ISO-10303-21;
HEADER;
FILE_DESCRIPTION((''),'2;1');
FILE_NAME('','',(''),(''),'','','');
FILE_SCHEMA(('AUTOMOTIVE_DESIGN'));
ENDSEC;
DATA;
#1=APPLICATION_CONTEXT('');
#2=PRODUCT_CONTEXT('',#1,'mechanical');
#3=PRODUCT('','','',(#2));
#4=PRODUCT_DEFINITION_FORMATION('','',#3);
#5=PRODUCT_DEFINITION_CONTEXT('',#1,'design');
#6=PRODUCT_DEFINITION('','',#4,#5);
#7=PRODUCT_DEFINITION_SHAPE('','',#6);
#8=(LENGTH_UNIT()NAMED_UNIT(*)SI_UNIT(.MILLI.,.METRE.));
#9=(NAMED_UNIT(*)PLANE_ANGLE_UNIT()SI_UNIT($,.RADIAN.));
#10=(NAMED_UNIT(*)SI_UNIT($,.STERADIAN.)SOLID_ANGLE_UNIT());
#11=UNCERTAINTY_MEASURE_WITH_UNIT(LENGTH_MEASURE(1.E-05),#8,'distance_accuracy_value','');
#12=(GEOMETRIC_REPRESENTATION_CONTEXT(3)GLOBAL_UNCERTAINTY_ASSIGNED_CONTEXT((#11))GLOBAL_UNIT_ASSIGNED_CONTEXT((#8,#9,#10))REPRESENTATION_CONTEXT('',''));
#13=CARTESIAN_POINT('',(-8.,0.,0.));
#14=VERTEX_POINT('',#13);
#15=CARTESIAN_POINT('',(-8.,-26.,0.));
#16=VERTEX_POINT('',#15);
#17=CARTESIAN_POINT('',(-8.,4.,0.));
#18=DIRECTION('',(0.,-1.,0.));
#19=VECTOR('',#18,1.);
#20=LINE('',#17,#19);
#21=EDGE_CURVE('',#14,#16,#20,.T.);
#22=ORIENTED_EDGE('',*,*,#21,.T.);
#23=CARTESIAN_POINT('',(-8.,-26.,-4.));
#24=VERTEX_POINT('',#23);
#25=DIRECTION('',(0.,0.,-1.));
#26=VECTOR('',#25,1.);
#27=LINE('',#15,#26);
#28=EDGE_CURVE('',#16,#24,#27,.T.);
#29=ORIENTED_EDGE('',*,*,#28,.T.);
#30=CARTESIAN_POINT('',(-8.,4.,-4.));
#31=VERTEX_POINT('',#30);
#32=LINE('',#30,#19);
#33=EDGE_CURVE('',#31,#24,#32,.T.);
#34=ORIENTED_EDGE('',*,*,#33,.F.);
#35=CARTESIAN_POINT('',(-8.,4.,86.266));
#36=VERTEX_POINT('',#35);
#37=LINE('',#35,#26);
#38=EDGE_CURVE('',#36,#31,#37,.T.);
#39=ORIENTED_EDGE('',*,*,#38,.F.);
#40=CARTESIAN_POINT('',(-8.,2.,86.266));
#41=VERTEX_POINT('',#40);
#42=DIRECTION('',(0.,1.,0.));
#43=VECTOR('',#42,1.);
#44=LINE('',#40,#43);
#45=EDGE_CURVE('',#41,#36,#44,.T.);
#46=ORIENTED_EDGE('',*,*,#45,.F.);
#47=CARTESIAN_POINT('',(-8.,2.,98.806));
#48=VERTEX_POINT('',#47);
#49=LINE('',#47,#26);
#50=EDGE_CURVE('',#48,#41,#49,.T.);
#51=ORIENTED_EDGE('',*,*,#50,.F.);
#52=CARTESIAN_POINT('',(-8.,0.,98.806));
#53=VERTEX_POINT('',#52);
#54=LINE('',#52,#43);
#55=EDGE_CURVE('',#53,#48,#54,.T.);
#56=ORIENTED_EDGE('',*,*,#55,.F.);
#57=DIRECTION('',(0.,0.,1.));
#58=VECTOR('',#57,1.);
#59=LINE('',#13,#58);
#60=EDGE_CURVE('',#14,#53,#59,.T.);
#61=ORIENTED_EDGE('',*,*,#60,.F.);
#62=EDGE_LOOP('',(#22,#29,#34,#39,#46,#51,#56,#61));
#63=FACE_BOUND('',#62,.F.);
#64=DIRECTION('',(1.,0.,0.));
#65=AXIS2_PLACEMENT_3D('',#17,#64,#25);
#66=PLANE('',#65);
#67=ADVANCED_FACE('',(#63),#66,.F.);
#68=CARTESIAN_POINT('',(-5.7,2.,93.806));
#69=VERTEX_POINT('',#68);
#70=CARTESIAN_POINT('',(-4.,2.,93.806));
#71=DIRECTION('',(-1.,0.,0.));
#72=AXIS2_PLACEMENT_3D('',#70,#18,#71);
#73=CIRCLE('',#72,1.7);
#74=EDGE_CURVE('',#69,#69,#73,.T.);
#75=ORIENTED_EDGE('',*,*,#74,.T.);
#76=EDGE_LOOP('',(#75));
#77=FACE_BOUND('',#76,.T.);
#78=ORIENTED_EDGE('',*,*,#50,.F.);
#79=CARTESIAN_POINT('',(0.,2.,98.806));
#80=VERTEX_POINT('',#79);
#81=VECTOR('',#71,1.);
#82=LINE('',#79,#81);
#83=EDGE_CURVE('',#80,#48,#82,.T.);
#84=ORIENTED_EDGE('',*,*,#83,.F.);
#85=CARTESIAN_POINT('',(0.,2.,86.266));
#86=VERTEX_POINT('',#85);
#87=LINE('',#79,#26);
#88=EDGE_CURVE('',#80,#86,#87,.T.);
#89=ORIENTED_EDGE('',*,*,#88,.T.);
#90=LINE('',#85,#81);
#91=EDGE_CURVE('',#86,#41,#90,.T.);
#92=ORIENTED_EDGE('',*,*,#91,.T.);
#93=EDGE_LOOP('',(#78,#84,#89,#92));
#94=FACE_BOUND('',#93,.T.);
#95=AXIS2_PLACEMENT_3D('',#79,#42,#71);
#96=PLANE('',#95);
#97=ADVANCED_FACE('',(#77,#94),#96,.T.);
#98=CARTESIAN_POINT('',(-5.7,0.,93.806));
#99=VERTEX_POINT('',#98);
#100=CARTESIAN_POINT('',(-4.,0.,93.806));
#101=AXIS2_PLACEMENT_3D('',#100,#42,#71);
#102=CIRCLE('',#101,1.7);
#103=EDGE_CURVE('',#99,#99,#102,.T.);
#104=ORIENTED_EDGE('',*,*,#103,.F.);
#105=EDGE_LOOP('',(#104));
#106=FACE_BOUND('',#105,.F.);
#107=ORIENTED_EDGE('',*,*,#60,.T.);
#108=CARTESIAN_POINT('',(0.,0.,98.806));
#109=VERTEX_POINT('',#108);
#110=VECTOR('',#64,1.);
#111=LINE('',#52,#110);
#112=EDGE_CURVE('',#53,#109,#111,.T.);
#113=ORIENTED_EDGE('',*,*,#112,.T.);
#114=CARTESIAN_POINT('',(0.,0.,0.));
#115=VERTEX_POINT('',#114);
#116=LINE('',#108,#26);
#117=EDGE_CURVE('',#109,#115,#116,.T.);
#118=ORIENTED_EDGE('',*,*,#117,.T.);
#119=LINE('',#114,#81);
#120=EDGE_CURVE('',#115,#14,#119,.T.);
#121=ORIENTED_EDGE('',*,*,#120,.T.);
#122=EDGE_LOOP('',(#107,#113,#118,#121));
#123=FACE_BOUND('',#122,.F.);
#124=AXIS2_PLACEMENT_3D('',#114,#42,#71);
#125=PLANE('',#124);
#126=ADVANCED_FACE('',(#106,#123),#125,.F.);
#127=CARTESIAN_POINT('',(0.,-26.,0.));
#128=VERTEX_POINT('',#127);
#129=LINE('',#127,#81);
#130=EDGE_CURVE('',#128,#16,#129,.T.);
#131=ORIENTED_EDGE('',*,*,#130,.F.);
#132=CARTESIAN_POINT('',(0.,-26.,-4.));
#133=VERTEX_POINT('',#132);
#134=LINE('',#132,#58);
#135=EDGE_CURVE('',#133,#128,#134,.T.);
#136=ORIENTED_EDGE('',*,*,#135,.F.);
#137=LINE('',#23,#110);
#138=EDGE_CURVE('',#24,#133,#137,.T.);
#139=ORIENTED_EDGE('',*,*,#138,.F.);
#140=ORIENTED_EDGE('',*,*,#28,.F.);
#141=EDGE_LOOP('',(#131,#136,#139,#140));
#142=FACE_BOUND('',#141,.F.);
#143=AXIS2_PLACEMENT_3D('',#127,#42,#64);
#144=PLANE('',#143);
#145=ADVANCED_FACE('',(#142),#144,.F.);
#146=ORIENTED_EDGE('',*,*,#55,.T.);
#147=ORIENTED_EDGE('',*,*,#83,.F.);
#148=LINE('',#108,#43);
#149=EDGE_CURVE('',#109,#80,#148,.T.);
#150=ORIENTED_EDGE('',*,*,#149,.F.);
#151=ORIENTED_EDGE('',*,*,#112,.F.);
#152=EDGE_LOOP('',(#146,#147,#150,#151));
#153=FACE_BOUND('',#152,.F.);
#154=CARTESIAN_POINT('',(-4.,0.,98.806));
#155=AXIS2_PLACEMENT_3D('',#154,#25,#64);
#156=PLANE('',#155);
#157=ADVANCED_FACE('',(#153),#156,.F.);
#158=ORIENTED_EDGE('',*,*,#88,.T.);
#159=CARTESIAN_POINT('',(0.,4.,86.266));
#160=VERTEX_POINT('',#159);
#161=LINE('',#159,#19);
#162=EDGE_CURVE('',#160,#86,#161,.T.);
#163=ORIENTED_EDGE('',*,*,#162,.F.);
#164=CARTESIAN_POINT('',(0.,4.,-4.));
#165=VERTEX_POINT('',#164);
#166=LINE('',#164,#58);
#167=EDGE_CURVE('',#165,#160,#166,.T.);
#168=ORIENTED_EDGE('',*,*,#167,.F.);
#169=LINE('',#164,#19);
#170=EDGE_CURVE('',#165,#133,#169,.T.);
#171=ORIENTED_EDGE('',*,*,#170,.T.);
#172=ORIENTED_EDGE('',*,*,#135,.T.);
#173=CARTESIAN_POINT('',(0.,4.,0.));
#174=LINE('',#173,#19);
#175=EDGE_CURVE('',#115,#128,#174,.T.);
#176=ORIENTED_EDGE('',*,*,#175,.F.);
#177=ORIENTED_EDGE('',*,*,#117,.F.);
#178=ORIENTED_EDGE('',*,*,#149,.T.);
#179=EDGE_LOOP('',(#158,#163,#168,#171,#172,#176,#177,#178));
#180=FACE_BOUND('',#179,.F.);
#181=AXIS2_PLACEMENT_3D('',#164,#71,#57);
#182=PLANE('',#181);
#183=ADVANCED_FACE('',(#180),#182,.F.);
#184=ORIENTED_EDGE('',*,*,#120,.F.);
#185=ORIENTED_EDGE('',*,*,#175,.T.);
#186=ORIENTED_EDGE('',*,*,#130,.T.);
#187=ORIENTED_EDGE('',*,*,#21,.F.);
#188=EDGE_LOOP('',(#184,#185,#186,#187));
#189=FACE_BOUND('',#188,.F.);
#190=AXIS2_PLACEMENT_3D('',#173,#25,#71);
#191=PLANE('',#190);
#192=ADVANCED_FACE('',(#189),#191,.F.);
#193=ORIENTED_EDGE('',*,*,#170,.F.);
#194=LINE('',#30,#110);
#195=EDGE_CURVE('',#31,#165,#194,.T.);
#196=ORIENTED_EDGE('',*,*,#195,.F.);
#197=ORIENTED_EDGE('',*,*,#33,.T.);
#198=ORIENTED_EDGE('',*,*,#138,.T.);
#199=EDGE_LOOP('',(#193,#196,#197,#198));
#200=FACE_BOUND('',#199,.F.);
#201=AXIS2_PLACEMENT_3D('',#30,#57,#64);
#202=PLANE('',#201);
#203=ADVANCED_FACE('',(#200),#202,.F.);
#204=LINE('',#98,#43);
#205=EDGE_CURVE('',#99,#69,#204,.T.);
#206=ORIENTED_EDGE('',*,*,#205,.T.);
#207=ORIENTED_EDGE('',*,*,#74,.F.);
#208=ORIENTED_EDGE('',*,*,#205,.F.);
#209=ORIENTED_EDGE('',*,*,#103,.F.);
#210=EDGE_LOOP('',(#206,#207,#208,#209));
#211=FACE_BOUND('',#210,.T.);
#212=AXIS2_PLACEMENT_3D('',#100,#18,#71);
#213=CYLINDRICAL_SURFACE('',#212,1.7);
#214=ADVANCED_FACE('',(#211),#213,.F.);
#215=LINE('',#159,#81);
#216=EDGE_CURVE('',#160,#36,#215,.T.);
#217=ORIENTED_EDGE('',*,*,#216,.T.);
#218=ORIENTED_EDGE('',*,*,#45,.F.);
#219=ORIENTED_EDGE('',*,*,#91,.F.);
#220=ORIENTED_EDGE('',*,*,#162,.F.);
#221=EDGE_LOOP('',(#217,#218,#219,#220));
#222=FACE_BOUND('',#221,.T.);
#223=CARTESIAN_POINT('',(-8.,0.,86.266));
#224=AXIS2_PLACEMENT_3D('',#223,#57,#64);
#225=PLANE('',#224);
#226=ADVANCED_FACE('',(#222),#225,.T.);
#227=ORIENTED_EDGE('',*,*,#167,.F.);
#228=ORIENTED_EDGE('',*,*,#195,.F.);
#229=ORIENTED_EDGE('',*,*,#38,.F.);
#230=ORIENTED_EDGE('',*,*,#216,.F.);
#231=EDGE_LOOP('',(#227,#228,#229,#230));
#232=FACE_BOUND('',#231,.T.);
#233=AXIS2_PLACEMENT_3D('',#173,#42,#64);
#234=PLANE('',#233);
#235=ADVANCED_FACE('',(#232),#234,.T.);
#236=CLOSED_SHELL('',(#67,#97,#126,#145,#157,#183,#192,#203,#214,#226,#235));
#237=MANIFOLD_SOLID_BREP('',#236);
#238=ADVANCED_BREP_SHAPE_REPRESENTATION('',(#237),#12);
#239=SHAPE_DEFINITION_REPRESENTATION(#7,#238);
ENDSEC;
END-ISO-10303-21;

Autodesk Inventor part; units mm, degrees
ref_plane "YZ Plane" through (0, 0, 0) normal (1, 0, 0) x (0, 1, 0)
ref_plane "XZ Plane" through (0, 0, 0) normal (0, 1, 0) x (-1, 0, 0)
ref_plane "XY Plane" through (0, 0, 0) normal (0, 0, 1) x (1, 0, 0)
sketch "Sketch1" plane through (0, 0, 0) normal (0, 1, 0) x (-1, 0, 0)
  line L0 (0, 0) -> (8, 0)
  line L1 (8, 0) -> (8, 98.806)
  line L2 (8, 98.806) -> (0, 98.806)
  line L3 (0, 98.806) -> (0, 0)
  line L4 (4, 0) -> (4, 98.806)
  line L5 (4, 98.806) -> (4, 93.806)
  circle A0 centre (4, 93.806) radius 1.7
  dimension "d0" = 8
  dimension "d1" = 98.806
  dimension "d2" = 90
  dimension "d3" = 8
  dimension "d4" = 98.806
  dimension "d5" = 5
  dimension "d6" = 3.4
extrude "Extrusion1" add sketch "Sketch1" along normal blind 4 contours L3 L2 L4 A0 L0 | L4 A0 L2 L1 L0
sketch "Sketch2" plane through (-8, 0, 98.806) normal (0, 0, 1) x (1, 0, 0)
  line L0 (8, 4) -> (0, 4) projected
  line L1 (0, 4) -> (8, 4)
  line L2 (8, 4) -> (8, 2)
  line L3 (8, 2) -> (0, 2)
  line L4 (0, 2) -> (0, 4)
  point P0 (8, 0)
  dimension "d9" = 8
  dimension "d10" = 2
extrude "Extrusion2" cut sketch "Sketch2" against normal blind 12.54
sketch "Sketch3" plane through (0, 4, 0) normal (0, 1, 0) x (1, 0, 0)
  line L0 (0, 0) -> (-8, 0) projected
  line L1 (0, 0) -> (-8, 0)
  line L2 (-8, 0) -> (-8, 4)
  line L3 (-8, 4) -> (0, 4)
  line L4 (0, 4) -> (0, 0)
  dimension "d13" = 8
  dimension "d14" = 4
extrude "Extrusion3" add sketch "Sketch3" against normal blind 30
properties part number "brace1"
